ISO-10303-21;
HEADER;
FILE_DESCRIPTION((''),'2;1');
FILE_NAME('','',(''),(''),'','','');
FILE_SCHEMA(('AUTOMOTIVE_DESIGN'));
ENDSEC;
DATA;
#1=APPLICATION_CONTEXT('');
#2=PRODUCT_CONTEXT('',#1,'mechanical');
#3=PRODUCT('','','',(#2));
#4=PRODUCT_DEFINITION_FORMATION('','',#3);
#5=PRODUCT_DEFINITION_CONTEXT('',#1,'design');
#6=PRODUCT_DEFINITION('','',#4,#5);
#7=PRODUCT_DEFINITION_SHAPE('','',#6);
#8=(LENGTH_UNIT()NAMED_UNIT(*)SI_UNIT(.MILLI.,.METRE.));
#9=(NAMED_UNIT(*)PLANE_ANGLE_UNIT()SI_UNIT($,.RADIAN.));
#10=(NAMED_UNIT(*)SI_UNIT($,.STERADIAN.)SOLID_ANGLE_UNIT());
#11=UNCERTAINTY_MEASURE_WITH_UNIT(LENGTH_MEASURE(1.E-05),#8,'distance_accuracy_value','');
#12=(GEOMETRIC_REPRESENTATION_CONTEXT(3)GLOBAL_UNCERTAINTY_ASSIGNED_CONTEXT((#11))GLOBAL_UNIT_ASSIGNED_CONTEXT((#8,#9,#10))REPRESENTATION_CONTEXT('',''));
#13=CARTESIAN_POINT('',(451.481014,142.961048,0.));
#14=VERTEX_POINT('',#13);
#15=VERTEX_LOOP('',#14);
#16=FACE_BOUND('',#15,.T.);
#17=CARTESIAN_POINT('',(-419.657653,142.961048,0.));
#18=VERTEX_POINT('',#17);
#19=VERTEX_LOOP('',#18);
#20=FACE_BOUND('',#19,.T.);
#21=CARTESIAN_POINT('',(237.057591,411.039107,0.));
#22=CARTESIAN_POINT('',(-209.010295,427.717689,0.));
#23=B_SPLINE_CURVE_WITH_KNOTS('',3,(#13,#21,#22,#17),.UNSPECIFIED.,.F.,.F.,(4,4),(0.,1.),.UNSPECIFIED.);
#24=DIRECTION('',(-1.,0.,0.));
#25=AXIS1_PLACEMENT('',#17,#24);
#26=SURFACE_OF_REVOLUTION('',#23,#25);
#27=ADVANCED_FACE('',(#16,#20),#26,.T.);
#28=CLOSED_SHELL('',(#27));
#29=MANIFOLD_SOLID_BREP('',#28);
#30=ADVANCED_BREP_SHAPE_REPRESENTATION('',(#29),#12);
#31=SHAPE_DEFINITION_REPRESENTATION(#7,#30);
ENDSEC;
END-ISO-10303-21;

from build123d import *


with BuildPart() as part:
    # Sketch1 → Revolve1 (revolve)
    with BuildSketch(Plane.XY):
        with BuildLine():
            Line((-419.657652671, 142.961048383), (451.481014066, 142.961048383))
            add(Edge.make_bspline(
                [(-419.657652671, 142.961048383), (-209.010294926, 427.717688684), (237.057590631, 411.03910721), (451.481014066, 142.961048383)],
                knots=[0, 0, 0, 0, 1, 1, 1, 1], degree=3))
        make_face()
    revolve(axis=Axis((-419.657652671, 142.961048383, 0), (1, 0, 0)))


solid = part.part
